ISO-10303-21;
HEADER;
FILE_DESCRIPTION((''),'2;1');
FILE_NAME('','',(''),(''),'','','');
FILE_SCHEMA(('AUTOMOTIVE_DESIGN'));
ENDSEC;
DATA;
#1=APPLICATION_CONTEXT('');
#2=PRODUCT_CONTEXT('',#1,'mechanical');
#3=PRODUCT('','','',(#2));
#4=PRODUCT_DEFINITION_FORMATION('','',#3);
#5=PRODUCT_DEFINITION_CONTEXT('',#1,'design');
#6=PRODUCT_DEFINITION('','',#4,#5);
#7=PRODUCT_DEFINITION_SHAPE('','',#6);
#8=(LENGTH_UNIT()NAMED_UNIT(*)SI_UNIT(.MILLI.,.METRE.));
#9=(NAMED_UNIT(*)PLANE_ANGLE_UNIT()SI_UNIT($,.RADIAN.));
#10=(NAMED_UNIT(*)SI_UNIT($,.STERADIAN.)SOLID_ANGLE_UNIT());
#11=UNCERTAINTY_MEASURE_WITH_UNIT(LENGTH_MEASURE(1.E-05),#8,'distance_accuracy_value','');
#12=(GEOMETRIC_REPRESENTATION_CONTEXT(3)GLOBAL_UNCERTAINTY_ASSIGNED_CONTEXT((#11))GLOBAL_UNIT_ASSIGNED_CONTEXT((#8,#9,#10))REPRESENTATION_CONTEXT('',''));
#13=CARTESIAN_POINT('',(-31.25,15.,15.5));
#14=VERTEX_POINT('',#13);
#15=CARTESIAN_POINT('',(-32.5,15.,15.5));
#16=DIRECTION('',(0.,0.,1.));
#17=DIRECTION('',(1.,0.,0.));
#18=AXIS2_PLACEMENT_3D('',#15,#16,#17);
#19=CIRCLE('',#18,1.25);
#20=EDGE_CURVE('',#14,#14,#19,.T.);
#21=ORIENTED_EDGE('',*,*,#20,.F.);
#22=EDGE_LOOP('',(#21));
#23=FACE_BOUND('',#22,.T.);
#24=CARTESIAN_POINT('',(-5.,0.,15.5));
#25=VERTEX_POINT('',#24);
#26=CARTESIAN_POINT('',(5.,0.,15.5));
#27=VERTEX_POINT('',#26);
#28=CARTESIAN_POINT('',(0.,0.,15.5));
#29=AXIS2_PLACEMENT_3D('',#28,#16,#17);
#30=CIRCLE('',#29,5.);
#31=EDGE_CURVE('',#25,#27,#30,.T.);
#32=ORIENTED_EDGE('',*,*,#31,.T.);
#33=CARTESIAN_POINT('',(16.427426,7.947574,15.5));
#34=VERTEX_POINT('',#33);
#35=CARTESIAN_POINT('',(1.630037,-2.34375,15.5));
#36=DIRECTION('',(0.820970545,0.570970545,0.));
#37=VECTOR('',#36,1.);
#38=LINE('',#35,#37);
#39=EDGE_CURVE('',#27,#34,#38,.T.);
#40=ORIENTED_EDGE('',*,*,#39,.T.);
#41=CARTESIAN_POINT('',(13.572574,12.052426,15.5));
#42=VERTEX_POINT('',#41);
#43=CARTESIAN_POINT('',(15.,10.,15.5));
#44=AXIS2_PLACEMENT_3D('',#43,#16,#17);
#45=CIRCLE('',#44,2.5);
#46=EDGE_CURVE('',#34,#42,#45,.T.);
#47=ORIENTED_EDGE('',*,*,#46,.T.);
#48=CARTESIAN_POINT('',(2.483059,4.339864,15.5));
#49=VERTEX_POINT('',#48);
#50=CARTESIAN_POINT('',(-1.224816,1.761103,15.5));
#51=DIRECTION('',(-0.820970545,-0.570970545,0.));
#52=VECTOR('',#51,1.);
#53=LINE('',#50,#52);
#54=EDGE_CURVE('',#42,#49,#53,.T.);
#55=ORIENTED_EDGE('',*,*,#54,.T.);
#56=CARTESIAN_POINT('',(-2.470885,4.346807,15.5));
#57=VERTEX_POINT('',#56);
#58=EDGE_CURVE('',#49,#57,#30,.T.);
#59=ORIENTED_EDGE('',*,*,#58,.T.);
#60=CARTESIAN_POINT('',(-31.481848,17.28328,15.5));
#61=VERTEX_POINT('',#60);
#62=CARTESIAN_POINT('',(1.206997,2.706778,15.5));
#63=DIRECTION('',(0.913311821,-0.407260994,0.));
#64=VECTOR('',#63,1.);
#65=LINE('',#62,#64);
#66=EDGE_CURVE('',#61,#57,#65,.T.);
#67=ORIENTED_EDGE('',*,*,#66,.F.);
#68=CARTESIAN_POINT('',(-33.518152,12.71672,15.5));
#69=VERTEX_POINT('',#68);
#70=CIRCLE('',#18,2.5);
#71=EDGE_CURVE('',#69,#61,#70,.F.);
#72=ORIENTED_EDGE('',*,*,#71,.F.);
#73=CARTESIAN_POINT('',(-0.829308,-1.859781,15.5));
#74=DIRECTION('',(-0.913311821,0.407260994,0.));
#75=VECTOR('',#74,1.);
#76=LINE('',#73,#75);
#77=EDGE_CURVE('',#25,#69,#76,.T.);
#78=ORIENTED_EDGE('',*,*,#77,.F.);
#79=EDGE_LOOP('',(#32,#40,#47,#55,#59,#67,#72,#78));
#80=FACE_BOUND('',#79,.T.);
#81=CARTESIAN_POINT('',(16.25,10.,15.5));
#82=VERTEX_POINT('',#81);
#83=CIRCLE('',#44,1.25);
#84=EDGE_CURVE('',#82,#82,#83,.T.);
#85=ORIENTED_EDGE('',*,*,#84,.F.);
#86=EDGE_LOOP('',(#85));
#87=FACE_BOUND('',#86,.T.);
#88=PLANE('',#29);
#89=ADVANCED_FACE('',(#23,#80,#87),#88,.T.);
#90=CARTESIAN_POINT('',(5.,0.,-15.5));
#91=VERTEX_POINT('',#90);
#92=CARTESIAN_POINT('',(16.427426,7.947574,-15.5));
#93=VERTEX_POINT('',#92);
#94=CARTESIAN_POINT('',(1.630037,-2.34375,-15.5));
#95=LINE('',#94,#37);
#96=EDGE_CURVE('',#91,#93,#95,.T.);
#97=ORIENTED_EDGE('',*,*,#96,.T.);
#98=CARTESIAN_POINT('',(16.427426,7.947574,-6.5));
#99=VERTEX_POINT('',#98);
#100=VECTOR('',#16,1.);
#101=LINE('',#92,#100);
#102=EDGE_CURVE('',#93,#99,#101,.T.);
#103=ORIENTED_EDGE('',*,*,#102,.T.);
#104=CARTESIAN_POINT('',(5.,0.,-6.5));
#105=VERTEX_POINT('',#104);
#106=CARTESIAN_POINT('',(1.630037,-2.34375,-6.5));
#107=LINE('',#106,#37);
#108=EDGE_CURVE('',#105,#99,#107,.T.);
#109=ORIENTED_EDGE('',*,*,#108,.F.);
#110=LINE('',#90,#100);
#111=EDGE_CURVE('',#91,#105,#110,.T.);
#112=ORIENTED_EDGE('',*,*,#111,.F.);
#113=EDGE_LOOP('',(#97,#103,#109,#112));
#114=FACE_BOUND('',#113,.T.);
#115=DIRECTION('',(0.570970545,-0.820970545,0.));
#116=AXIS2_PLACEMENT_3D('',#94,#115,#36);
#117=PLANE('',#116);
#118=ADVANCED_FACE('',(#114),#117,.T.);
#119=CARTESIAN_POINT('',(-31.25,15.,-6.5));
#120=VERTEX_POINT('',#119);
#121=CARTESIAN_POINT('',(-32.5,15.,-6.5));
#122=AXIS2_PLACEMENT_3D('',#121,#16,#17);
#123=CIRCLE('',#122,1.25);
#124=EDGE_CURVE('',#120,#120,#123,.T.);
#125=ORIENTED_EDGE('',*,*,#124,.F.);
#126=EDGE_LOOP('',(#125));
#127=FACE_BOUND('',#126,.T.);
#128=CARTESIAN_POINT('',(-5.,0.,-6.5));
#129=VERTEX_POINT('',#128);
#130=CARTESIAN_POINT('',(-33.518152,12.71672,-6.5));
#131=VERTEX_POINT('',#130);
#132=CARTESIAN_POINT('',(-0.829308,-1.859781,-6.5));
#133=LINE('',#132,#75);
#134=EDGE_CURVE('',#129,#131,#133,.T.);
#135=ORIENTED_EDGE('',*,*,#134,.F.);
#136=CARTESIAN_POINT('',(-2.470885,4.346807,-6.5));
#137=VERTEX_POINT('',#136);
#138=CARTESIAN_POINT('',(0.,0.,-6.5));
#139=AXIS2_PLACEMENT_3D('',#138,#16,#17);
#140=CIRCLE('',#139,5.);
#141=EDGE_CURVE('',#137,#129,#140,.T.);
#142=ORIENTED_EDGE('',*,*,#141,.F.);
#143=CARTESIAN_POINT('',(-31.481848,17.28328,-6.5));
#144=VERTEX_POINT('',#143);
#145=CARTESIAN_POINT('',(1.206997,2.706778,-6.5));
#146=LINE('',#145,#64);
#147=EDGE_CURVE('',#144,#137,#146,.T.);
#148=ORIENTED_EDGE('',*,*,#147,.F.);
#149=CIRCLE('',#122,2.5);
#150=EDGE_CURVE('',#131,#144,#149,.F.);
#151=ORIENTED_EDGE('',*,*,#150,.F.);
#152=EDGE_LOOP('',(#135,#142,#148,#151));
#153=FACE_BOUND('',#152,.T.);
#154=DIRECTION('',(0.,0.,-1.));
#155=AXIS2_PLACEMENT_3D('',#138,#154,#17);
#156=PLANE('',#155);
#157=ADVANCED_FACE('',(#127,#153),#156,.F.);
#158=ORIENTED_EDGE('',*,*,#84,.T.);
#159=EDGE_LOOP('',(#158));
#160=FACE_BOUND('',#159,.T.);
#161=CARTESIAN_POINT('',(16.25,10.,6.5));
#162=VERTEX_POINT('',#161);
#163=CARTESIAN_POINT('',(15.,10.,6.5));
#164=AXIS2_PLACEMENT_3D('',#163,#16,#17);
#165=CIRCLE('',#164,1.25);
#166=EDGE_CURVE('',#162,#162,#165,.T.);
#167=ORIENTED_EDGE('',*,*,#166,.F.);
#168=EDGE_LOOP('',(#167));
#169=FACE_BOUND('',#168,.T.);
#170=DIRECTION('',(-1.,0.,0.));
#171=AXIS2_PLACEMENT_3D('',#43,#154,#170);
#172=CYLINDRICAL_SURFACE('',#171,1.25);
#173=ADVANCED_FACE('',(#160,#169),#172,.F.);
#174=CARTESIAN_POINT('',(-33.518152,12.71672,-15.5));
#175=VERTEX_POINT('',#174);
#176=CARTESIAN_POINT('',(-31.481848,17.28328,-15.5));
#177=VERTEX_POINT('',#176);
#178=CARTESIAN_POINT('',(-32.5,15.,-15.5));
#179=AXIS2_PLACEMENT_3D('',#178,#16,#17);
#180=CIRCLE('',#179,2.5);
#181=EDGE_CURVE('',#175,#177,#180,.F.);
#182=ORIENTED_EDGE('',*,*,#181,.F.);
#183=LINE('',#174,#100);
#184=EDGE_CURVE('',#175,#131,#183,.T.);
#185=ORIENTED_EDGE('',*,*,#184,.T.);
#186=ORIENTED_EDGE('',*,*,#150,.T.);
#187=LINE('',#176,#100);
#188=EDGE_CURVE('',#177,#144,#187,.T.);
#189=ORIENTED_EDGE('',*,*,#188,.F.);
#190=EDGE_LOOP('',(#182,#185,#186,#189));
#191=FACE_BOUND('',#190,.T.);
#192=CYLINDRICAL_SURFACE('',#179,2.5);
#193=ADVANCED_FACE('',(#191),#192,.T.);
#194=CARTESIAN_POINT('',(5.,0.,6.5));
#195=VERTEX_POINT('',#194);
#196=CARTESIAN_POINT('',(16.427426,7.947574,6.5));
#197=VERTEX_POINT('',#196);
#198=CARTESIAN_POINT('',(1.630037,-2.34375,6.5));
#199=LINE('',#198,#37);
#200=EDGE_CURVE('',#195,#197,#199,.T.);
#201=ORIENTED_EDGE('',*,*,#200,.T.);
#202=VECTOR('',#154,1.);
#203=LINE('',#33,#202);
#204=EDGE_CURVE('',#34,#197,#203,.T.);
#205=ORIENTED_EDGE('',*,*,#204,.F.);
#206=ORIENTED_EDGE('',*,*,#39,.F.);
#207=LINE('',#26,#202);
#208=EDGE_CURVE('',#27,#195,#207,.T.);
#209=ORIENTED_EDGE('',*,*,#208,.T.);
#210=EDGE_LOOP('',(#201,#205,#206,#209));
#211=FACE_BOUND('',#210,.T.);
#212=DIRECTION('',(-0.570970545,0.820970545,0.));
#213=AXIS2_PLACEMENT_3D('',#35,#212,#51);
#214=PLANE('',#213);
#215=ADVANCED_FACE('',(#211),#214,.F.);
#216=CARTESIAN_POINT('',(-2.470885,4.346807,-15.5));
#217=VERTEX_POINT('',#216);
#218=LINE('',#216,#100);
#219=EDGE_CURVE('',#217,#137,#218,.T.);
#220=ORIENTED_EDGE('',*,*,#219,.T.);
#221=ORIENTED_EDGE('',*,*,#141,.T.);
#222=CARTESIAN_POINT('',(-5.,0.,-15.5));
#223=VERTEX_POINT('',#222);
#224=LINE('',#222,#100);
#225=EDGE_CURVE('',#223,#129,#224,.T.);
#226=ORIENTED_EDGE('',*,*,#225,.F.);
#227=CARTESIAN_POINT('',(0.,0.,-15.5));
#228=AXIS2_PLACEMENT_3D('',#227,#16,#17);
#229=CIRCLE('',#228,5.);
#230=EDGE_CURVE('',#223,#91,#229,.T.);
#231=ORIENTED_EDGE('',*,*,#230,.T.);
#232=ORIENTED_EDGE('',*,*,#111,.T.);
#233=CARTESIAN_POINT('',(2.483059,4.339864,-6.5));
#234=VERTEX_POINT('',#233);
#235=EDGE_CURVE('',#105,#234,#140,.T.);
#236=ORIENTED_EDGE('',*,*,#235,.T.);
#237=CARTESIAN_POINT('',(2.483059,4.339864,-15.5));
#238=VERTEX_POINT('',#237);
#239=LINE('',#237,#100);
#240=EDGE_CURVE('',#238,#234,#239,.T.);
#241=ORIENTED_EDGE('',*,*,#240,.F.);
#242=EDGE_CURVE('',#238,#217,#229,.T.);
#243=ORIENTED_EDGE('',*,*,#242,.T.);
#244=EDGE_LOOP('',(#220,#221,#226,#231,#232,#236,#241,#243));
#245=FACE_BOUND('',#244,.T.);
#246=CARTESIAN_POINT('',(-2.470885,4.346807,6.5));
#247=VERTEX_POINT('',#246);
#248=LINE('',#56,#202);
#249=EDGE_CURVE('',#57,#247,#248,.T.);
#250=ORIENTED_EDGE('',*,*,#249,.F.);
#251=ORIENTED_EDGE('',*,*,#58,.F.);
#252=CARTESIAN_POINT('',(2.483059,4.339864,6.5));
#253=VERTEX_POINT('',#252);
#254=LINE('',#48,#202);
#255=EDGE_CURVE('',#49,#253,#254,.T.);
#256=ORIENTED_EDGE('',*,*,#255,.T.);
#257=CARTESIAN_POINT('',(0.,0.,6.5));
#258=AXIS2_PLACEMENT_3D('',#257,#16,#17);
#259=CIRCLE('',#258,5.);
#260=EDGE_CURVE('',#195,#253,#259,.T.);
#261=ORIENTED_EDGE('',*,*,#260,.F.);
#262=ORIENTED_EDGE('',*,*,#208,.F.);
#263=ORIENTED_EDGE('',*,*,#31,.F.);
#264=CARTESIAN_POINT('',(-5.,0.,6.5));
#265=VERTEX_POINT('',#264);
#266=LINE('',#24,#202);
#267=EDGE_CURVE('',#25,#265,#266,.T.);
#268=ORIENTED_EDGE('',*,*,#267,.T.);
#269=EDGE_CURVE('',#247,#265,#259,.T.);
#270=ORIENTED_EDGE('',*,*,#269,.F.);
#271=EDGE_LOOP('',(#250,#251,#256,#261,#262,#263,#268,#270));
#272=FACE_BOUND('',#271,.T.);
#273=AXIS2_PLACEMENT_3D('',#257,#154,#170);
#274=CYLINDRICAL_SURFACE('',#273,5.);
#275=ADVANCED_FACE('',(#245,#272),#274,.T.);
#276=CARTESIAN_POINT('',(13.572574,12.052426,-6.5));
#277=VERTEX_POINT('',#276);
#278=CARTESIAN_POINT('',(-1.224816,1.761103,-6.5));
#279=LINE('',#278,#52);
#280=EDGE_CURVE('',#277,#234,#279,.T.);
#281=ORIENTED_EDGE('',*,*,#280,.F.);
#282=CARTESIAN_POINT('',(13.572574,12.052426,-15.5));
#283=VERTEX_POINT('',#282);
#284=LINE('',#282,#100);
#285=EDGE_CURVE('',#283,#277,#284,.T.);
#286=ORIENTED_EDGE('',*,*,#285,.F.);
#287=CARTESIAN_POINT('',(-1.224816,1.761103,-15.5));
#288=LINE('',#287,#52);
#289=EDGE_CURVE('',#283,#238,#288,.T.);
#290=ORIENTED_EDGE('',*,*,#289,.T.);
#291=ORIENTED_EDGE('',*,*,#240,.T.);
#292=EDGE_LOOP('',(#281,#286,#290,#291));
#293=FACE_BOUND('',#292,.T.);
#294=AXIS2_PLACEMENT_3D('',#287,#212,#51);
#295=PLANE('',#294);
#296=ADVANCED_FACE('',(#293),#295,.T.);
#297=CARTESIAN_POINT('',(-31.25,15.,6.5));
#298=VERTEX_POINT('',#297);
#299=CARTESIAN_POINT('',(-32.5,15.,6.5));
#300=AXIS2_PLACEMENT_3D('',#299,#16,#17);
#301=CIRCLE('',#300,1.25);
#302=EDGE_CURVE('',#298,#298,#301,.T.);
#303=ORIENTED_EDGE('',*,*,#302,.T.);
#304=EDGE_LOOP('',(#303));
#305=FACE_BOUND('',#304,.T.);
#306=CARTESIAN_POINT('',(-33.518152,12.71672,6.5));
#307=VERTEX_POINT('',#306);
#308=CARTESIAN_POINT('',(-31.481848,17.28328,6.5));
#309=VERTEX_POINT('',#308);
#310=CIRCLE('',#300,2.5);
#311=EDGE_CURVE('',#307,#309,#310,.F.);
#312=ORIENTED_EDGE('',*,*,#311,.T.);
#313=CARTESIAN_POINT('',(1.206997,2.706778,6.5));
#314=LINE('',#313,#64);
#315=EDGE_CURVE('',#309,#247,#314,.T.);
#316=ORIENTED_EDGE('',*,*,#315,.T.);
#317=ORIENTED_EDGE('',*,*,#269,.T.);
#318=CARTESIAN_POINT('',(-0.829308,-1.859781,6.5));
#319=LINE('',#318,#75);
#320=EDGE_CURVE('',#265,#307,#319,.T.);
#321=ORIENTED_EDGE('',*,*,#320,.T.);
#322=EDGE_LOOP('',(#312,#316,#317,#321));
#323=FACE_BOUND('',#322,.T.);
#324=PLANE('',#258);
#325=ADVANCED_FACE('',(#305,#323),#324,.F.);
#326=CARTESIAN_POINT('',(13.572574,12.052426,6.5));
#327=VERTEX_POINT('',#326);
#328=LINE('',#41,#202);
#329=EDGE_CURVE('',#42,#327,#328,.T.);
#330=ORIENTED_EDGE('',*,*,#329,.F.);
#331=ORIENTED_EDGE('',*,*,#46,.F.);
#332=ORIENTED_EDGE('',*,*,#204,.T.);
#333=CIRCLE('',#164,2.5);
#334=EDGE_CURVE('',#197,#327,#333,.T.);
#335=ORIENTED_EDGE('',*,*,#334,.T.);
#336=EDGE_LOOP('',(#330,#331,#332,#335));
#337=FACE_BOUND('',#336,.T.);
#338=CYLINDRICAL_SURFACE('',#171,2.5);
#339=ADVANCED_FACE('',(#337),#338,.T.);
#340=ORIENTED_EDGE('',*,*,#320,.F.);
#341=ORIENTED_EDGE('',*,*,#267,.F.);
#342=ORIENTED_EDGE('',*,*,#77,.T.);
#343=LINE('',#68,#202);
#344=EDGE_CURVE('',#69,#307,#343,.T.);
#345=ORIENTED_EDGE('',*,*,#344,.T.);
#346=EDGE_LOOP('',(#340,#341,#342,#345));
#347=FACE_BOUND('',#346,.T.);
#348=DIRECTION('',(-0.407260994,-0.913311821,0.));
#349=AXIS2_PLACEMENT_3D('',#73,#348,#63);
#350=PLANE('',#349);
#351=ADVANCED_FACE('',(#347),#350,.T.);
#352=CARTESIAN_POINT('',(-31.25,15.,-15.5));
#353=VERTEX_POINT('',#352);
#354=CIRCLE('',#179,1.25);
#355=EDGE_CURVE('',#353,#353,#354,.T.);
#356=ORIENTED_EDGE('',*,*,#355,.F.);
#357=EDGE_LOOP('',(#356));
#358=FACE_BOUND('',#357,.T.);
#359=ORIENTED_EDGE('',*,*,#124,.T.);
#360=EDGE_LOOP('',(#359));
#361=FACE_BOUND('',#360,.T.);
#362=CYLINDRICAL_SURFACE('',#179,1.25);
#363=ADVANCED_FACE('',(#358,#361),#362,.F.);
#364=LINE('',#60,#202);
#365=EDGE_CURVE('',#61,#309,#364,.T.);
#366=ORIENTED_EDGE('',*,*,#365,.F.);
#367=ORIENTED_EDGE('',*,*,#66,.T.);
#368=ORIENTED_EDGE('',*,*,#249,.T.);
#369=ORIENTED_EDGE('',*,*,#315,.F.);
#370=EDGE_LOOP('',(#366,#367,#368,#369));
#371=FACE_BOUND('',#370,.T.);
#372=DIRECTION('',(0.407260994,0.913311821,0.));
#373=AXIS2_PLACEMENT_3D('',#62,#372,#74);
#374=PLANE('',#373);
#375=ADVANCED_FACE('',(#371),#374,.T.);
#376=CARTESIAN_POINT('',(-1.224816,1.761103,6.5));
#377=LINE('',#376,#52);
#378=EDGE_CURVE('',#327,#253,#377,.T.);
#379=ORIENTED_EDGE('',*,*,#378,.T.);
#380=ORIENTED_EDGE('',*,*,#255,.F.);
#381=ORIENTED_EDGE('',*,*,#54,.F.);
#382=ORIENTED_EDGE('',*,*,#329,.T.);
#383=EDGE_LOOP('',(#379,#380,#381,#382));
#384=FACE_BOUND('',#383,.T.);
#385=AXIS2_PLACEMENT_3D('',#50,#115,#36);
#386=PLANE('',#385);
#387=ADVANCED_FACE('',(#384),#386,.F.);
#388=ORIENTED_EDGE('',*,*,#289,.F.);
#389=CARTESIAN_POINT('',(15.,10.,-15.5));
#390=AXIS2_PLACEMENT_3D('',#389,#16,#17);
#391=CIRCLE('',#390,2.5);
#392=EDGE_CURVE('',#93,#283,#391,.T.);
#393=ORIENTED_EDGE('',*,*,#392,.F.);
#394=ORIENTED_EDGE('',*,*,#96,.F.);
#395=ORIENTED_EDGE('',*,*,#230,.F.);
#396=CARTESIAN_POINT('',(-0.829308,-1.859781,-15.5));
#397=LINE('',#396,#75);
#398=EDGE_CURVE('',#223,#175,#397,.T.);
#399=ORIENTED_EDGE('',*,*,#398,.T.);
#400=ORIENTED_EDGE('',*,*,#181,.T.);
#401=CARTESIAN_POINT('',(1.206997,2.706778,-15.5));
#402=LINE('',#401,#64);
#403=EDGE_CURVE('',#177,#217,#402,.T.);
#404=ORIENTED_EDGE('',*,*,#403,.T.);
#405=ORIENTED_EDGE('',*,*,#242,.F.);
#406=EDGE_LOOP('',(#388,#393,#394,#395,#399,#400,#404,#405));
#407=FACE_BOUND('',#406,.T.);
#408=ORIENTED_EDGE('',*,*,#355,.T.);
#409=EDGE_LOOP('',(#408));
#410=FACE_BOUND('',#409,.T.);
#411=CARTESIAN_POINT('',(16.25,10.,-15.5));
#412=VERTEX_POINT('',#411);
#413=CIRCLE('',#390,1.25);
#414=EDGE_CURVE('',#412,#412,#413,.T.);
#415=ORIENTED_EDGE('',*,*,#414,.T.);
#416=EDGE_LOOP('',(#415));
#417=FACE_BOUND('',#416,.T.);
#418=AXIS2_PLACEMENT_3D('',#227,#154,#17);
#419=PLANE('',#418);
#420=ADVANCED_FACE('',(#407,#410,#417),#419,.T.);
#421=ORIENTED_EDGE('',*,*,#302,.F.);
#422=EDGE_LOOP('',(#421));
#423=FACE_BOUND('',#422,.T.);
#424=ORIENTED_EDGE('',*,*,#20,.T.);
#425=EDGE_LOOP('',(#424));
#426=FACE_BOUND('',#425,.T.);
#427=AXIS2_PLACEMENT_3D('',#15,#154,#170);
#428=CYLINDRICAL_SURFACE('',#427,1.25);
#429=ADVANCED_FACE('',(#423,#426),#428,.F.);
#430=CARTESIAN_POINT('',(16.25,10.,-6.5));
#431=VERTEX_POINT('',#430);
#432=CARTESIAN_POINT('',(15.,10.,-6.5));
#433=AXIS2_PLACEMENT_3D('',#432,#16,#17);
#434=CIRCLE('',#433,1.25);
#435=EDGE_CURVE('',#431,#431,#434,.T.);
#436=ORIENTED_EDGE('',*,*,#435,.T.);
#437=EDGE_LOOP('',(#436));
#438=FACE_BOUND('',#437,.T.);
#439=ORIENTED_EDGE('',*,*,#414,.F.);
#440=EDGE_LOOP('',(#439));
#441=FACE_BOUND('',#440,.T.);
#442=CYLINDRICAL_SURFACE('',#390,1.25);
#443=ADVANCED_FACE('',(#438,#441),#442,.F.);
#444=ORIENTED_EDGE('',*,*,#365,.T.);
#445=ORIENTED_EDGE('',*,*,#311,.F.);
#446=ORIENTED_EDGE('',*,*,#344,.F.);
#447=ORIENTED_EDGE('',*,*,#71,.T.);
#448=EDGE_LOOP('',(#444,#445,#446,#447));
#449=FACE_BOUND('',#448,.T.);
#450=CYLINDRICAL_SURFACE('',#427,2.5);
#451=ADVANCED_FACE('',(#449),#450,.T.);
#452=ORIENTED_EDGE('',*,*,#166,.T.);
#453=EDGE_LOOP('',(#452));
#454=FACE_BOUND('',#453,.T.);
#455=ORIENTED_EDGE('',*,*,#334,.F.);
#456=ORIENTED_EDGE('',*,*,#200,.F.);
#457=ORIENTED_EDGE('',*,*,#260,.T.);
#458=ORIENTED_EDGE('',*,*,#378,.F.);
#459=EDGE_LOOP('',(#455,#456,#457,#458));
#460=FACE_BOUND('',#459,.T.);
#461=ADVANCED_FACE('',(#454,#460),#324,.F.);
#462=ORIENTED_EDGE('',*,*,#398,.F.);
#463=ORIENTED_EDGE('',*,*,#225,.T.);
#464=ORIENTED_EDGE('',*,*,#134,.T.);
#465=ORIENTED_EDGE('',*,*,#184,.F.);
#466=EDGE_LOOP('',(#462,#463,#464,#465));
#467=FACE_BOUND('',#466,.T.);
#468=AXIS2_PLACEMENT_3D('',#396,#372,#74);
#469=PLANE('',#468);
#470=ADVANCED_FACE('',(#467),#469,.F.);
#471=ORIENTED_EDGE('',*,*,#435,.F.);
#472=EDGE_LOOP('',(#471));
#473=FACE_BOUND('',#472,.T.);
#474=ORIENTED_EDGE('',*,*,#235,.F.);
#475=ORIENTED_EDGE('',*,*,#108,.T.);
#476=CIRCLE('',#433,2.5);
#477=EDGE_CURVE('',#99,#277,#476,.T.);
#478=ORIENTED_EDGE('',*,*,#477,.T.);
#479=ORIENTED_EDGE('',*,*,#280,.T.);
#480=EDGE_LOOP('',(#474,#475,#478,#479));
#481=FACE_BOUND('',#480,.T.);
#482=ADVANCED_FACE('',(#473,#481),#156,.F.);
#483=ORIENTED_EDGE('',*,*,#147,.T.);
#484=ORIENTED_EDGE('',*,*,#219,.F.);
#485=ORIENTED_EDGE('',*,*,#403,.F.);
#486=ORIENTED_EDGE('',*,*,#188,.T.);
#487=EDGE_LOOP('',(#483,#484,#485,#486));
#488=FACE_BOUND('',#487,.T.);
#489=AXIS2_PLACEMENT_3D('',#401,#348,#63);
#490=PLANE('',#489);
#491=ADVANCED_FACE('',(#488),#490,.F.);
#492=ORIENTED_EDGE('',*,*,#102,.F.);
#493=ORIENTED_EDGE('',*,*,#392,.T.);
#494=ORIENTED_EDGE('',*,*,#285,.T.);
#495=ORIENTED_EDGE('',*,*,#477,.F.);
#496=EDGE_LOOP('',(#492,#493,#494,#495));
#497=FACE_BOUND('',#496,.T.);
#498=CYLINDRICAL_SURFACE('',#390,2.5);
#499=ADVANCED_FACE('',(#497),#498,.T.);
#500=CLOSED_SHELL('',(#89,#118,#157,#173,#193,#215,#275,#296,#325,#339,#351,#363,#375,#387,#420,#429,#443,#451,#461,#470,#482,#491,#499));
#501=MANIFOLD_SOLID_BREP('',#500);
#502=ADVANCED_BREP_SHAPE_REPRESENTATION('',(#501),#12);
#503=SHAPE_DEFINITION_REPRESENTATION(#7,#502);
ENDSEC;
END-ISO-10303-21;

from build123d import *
from build123d.topology import SkipClean

# Parameters (mm, degrees)
SKETCH1_R           = 5
BOSS_EXTRUDE3_DEPTH = 6.5
BOSS_EXTRUDE4_START = 9
SKETCH3_R           = 1.25
SKETCH3_R_2         = 5
BOSS_EXTRUDE4_DEPTH = 9


with BuildPart() as part:
    # Sketch1 → Boss-Extrude3 (new, symmetric)
    with BuildSketch(Plane.XY):
        with Locations(Location((0, 0, 0), (0, 0, 180))):
            Circle(SKETCH1_R)
    extrude(amount=BOSS_EXTRUDE3_DEPTH, both=True)

    # Sketch3 → Boss-Extrude4 (add)
    # profile 1 of 3: a face of its own
    with BuildSketch(Plane.XY.offset(6.5).offset(BOSS_EXTRUDE4_START)):
        with BuildLine():
            ThreePointArc((2.483058563, 4.339864073), (4.325233682, 2.508456416), (5, 0))
            Line((5, 0), (16.427426363, 7.947573637))
            ThreePointArc((16.427426363, 7.947573637), (17.052426363, 11.427426363), (13.572573637, 12.052426363))
            Line((13.572573637, 12.052426363), (2.483058563, 4.339864073))
        make_face()
        with Locations((15, 10)):
            Circle(SKETCH3_R, mode=Mode.SUBTRACT)
    # profile 2 of 3: a face of its own
    with BuildSketch(Plane.XY.offset(6.5).offset(BOSS_EXTRUDE4_START)):
        with BuildLine():
            Line((-33.518152484, 12.716720446), (-5, 0))
            ThreePointArc((-5, 0), (-4.321713979, 2.514515517), (-2.470884686, 4.346806744))
            Line((-2.470884686, 4.346806744), (-31.481847516, 17.283279554))
            ThreePointArc((-31.481847516, 17.283279554), (-34.783279554, 16.018152484), (-33.518152484, 12.716720446))
        make_face()
        with Locations((-32.5, 15)):
            Circle(SKETCH3_R, mode=Mode.SUBTRACT)
    # profile 3 of 3: a face of its own
    with BuildSketch(Plane.XY.offset(6.5).offset(BOSS_EXTRUDE4_START)):
        Circle(SKETCH3_R_2)
    boss_extrude4 = extrude(amount=-BOSS_EXTRUDE4_DEPTH)

    # Mirror12: Boss-Extrude4 across plane
    with SkipClean():  # the faces are left unmerged after this step: merging them gives an invalid solid
        add(boss_extrude4.mirror(Plane.XY))


solid = part.part
